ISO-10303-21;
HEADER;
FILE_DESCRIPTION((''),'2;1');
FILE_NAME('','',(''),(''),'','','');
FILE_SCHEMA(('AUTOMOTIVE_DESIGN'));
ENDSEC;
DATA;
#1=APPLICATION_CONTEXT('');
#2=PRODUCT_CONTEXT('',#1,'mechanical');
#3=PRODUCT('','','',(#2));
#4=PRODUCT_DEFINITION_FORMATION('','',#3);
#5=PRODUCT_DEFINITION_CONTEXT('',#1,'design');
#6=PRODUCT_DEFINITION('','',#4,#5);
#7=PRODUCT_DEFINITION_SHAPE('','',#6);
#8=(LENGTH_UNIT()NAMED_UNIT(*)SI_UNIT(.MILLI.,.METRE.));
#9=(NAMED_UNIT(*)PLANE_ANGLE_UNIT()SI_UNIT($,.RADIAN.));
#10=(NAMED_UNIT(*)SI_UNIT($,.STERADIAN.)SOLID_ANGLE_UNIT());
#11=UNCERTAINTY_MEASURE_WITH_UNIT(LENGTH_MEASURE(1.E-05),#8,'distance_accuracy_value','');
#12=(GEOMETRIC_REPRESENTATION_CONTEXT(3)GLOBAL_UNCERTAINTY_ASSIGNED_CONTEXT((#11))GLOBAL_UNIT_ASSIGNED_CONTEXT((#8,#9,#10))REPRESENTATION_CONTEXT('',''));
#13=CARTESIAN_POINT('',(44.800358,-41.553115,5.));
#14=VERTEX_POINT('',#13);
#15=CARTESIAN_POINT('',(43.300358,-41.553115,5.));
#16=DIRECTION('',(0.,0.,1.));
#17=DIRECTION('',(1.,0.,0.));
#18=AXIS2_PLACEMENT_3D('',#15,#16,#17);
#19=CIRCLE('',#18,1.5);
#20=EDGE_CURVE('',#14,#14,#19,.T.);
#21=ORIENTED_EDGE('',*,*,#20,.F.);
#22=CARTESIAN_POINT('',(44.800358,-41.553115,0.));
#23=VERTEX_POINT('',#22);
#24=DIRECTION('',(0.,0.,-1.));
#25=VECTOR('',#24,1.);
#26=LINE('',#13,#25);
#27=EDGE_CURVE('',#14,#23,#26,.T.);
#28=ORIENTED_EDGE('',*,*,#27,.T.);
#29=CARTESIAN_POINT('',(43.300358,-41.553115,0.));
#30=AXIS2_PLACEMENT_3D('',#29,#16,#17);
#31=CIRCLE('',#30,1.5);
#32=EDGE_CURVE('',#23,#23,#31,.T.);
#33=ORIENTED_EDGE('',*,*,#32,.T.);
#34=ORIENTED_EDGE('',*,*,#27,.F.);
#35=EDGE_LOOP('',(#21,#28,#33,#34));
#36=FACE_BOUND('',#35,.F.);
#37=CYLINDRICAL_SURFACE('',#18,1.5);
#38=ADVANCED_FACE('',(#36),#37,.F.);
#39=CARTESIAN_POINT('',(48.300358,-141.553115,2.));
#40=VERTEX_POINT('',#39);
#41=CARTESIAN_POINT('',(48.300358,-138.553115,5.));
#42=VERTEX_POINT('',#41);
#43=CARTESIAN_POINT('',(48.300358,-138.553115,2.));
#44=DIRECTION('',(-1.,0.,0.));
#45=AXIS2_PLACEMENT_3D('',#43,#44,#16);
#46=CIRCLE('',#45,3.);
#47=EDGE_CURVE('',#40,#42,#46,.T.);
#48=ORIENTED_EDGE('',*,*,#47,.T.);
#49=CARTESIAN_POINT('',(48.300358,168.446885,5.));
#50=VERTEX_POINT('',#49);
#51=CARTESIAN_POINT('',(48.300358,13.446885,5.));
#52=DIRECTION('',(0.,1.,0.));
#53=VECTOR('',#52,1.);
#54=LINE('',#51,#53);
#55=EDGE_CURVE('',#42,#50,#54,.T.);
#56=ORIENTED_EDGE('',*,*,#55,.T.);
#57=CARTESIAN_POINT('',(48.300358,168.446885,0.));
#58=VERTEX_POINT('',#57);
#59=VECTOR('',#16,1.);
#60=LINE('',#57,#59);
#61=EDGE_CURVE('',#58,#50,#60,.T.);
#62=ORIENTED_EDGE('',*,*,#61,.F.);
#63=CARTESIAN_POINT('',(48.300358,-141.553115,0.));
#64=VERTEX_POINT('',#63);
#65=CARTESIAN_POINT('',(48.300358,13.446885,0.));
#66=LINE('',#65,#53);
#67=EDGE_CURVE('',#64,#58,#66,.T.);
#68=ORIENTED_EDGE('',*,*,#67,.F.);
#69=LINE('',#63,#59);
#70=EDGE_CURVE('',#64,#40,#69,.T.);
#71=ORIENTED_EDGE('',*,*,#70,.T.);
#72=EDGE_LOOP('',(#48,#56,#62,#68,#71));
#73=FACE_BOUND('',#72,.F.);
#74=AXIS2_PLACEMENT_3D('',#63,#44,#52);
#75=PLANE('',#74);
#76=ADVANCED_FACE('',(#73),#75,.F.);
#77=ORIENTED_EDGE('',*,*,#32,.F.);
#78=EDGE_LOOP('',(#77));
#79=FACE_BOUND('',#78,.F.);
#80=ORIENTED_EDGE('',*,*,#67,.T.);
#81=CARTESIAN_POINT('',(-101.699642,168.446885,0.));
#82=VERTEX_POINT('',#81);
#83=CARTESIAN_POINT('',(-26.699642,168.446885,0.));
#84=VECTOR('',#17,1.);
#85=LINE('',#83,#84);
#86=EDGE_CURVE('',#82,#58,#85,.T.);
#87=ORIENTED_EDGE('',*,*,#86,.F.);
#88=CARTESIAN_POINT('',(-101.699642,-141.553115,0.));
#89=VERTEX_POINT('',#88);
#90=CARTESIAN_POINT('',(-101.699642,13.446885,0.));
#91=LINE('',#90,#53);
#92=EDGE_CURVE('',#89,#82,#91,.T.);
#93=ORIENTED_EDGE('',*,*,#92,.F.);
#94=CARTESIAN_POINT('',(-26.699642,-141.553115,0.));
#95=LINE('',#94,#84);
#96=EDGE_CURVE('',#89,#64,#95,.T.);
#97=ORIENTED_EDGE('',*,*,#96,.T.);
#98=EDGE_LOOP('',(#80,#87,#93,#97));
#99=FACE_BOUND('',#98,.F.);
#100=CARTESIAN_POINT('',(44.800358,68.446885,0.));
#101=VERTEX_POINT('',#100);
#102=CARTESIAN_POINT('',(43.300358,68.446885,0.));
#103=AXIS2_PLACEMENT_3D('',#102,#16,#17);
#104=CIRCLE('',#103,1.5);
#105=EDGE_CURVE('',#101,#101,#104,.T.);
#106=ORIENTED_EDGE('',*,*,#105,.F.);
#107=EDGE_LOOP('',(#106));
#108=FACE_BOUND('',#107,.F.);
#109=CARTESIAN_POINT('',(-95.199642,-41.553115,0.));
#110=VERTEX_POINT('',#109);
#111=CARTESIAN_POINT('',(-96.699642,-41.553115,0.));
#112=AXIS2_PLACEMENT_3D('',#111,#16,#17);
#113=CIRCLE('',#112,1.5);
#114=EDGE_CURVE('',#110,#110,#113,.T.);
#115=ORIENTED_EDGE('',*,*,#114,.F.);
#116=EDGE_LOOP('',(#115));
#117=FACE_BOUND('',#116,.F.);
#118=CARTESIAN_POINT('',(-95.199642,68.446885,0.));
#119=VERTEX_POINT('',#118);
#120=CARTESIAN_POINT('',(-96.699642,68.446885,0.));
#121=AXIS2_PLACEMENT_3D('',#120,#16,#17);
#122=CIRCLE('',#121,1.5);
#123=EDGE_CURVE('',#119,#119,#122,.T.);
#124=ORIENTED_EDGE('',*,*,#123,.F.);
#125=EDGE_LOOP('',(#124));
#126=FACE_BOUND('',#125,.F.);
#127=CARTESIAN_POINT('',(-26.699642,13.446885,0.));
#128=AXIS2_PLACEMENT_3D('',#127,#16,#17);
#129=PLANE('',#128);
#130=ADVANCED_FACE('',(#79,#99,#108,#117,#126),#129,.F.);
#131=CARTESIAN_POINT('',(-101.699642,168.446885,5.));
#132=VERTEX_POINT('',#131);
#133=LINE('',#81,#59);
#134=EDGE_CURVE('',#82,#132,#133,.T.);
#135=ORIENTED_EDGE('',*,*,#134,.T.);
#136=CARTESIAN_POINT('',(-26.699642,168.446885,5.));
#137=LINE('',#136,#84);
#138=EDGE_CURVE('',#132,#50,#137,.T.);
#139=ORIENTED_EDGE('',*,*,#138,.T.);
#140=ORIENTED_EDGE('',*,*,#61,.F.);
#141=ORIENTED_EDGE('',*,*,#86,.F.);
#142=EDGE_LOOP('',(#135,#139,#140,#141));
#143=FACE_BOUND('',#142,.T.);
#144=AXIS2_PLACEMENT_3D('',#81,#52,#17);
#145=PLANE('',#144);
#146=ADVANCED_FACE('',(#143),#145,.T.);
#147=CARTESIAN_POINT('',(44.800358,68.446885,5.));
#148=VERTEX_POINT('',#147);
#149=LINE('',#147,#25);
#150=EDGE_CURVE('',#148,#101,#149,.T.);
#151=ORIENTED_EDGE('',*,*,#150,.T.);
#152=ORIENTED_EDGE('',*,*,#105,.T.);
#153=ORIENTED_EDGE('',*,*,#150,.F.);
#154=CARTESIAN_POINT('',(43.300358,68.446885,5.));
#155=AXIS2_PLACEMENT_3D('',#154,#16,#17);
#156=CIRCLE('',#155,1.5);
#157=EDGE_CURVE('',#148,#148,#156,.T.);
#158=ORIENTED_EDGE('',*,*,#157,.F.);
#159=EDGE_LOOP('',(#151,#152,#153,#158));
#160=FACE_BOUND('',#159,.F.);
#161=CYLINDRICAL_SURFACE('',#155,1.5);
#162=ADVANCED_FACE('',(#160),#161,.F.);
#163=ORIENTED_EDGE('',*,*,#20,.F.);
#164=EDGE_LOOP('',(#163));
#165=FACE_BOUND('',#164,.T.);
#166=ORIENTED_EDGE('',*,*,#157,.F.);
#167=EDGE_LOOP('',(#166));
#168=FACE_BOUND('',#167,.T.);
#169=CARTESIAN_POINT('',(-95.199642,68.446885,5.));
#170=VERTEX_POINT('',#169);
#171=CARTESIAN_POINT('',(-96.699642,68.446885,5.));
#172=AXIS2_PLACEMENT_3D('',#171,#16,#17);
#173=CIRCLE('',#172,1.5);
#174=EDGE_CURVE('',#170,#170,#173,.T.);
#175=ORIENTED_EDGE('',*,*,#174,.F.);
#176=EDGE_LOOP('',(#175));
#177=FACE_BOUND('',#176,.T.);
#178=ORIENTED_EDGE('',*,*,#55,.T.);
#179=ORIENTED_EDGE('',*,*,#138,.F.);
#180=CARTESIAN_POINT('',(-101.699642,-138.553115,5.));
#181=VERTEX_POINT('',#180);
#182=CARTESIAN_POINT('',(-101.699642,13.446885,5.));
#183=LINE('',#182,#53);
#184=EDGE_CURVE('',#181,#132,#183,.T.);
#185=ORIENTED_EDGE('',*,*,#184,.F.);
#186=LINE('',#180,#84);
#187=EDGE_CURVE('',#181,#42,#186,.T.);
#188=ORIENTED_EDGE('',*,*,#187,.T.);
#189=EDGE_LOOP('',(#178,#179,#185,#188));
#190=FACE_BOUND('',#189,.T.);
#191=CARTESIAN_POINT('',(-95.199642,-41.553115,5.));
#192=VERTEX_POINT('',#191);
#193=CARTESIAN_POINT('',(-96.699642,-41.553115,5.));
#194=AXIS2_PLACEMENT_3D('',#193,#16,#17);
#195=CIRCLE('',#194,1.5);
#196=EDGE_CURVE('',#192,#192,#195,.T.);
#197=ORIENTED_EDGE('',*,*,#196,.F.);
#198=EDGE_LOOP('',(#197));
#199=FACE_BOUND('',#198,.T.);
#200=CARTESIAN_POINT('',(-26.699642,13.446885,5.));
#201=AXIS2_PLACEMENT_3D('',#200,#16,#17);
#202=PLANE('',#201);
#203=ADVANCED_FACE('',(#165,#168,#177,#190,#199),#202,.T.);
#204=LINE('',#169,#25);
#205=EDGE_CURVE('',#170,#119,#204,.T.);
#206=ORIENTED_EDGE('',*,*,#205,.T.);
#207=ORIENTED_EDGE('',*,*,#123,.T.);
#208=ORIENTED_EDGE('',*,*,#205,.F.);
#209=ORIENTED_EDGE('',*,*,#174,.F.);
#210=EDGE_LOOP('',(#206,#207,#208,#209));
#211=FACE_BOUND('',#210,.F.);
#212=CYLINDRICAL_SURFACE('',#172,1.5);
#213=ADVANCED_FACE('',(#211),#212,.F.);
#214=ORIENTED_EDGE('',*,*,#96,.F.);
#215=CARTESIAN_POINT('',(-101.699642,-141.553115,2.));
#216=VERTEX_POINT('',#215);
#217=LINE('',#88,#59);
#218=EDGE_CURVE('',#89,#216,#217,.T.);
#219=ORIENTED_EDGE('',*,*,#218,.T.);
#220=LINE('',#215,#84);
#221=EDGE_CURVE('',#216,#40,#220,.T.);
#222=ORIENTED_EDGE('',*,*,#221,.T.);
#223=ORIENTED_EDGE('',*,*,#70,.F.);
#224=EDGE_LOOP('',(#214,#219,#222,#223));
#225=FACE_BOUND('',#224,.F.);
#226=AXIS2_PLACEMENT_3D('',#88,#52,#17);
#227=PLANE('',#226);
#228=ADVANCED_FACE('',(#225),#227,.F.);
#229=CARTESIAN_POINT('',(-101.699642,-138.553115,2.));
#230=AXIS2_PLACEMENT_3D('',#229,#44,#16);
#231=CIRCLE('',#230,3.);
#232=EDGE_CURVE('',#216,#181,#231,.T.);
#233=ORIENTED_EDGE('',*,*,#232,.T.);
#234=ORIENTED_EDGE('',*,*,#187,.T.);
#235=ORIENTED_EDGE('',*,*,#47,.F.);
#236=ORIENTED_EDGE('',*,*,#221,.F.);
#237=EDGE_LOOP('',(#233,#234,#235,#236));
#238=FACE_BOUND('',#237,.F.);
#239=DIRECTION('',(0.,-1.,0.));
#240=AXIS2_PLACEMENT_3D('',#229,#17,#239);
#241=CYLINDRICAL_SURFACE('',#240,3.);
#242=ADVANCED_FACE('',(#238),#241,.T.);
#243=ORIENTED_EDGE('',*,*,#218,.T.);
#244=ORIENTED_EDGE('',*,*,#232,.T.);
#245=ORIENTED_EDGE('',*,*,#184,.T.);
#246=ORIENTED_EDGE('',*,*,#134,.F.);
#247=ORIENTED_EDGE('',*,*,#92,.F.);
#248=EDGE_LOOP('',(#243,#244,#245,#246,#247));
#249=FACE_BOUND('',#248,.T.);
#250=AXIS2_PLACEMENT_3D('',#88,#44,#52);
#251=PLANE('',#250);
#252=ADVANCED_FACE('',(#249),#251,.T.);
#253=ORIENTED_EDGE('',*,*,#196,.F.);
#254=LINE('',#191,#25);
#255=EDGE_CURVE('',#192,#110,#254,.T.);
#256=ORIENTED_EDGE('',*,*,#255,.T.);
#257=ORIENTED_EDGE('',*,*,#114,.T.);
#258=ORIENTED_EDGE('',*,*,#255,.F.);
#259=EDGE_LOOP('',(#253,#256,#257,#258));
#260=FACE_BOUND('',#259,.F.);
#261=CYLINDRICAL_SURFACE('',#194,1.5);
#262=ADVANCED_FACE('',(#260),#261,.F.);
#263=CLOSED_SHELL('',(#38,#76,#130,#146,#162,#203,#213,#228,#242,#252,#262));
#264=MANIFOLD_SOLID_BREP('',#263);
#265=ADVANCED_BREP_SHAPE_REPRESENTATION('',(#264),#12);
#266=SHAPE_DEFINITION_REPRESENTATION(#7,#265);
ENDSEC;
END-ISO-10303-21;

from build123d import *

# Parameters (mm, degrees)
F0_W     = 150
F0_H     = 310
F1_DEPTH = 5
F2_R     = 1.5
F3_DEPTH = 5
F4_R     = 3


with BuildPart() as f1:
    # F0 (on Top) → F1 (new body)
    with BuildSketch(Plane.XY):
        with Locations((-26.699642, 13.446885)):
            Rectangle(F0_W, F0_H)
    extrude(amount=F1_DEPTH)

    # F2 (on face) → F3 (cut, through all)
    with BuildSketch(Plane.XY.offset(5)):
        with Locations((-96.699642, 68.446885)):
            Circle(F2_R)
        with Locations((-96.699642, -41.553115)):
            Circle(F2_R)
        with Locations((43.300358, -41.553115)):
            Circle(F2_R)
        with Locations((43.300358, 68.446885)):
            Circle(F2_R)
    extrude(amount=-F3_DEPTH, mode=Mode.SUBTRACT)

    # F4
    f4_edges = [f1.edges().sort_by_distance(p)[0] for p in [
        (-26.699642, -141.553115, 5),
    ]]
    fillet(f4_edges, radius=F4_R)


solid = f1.part
